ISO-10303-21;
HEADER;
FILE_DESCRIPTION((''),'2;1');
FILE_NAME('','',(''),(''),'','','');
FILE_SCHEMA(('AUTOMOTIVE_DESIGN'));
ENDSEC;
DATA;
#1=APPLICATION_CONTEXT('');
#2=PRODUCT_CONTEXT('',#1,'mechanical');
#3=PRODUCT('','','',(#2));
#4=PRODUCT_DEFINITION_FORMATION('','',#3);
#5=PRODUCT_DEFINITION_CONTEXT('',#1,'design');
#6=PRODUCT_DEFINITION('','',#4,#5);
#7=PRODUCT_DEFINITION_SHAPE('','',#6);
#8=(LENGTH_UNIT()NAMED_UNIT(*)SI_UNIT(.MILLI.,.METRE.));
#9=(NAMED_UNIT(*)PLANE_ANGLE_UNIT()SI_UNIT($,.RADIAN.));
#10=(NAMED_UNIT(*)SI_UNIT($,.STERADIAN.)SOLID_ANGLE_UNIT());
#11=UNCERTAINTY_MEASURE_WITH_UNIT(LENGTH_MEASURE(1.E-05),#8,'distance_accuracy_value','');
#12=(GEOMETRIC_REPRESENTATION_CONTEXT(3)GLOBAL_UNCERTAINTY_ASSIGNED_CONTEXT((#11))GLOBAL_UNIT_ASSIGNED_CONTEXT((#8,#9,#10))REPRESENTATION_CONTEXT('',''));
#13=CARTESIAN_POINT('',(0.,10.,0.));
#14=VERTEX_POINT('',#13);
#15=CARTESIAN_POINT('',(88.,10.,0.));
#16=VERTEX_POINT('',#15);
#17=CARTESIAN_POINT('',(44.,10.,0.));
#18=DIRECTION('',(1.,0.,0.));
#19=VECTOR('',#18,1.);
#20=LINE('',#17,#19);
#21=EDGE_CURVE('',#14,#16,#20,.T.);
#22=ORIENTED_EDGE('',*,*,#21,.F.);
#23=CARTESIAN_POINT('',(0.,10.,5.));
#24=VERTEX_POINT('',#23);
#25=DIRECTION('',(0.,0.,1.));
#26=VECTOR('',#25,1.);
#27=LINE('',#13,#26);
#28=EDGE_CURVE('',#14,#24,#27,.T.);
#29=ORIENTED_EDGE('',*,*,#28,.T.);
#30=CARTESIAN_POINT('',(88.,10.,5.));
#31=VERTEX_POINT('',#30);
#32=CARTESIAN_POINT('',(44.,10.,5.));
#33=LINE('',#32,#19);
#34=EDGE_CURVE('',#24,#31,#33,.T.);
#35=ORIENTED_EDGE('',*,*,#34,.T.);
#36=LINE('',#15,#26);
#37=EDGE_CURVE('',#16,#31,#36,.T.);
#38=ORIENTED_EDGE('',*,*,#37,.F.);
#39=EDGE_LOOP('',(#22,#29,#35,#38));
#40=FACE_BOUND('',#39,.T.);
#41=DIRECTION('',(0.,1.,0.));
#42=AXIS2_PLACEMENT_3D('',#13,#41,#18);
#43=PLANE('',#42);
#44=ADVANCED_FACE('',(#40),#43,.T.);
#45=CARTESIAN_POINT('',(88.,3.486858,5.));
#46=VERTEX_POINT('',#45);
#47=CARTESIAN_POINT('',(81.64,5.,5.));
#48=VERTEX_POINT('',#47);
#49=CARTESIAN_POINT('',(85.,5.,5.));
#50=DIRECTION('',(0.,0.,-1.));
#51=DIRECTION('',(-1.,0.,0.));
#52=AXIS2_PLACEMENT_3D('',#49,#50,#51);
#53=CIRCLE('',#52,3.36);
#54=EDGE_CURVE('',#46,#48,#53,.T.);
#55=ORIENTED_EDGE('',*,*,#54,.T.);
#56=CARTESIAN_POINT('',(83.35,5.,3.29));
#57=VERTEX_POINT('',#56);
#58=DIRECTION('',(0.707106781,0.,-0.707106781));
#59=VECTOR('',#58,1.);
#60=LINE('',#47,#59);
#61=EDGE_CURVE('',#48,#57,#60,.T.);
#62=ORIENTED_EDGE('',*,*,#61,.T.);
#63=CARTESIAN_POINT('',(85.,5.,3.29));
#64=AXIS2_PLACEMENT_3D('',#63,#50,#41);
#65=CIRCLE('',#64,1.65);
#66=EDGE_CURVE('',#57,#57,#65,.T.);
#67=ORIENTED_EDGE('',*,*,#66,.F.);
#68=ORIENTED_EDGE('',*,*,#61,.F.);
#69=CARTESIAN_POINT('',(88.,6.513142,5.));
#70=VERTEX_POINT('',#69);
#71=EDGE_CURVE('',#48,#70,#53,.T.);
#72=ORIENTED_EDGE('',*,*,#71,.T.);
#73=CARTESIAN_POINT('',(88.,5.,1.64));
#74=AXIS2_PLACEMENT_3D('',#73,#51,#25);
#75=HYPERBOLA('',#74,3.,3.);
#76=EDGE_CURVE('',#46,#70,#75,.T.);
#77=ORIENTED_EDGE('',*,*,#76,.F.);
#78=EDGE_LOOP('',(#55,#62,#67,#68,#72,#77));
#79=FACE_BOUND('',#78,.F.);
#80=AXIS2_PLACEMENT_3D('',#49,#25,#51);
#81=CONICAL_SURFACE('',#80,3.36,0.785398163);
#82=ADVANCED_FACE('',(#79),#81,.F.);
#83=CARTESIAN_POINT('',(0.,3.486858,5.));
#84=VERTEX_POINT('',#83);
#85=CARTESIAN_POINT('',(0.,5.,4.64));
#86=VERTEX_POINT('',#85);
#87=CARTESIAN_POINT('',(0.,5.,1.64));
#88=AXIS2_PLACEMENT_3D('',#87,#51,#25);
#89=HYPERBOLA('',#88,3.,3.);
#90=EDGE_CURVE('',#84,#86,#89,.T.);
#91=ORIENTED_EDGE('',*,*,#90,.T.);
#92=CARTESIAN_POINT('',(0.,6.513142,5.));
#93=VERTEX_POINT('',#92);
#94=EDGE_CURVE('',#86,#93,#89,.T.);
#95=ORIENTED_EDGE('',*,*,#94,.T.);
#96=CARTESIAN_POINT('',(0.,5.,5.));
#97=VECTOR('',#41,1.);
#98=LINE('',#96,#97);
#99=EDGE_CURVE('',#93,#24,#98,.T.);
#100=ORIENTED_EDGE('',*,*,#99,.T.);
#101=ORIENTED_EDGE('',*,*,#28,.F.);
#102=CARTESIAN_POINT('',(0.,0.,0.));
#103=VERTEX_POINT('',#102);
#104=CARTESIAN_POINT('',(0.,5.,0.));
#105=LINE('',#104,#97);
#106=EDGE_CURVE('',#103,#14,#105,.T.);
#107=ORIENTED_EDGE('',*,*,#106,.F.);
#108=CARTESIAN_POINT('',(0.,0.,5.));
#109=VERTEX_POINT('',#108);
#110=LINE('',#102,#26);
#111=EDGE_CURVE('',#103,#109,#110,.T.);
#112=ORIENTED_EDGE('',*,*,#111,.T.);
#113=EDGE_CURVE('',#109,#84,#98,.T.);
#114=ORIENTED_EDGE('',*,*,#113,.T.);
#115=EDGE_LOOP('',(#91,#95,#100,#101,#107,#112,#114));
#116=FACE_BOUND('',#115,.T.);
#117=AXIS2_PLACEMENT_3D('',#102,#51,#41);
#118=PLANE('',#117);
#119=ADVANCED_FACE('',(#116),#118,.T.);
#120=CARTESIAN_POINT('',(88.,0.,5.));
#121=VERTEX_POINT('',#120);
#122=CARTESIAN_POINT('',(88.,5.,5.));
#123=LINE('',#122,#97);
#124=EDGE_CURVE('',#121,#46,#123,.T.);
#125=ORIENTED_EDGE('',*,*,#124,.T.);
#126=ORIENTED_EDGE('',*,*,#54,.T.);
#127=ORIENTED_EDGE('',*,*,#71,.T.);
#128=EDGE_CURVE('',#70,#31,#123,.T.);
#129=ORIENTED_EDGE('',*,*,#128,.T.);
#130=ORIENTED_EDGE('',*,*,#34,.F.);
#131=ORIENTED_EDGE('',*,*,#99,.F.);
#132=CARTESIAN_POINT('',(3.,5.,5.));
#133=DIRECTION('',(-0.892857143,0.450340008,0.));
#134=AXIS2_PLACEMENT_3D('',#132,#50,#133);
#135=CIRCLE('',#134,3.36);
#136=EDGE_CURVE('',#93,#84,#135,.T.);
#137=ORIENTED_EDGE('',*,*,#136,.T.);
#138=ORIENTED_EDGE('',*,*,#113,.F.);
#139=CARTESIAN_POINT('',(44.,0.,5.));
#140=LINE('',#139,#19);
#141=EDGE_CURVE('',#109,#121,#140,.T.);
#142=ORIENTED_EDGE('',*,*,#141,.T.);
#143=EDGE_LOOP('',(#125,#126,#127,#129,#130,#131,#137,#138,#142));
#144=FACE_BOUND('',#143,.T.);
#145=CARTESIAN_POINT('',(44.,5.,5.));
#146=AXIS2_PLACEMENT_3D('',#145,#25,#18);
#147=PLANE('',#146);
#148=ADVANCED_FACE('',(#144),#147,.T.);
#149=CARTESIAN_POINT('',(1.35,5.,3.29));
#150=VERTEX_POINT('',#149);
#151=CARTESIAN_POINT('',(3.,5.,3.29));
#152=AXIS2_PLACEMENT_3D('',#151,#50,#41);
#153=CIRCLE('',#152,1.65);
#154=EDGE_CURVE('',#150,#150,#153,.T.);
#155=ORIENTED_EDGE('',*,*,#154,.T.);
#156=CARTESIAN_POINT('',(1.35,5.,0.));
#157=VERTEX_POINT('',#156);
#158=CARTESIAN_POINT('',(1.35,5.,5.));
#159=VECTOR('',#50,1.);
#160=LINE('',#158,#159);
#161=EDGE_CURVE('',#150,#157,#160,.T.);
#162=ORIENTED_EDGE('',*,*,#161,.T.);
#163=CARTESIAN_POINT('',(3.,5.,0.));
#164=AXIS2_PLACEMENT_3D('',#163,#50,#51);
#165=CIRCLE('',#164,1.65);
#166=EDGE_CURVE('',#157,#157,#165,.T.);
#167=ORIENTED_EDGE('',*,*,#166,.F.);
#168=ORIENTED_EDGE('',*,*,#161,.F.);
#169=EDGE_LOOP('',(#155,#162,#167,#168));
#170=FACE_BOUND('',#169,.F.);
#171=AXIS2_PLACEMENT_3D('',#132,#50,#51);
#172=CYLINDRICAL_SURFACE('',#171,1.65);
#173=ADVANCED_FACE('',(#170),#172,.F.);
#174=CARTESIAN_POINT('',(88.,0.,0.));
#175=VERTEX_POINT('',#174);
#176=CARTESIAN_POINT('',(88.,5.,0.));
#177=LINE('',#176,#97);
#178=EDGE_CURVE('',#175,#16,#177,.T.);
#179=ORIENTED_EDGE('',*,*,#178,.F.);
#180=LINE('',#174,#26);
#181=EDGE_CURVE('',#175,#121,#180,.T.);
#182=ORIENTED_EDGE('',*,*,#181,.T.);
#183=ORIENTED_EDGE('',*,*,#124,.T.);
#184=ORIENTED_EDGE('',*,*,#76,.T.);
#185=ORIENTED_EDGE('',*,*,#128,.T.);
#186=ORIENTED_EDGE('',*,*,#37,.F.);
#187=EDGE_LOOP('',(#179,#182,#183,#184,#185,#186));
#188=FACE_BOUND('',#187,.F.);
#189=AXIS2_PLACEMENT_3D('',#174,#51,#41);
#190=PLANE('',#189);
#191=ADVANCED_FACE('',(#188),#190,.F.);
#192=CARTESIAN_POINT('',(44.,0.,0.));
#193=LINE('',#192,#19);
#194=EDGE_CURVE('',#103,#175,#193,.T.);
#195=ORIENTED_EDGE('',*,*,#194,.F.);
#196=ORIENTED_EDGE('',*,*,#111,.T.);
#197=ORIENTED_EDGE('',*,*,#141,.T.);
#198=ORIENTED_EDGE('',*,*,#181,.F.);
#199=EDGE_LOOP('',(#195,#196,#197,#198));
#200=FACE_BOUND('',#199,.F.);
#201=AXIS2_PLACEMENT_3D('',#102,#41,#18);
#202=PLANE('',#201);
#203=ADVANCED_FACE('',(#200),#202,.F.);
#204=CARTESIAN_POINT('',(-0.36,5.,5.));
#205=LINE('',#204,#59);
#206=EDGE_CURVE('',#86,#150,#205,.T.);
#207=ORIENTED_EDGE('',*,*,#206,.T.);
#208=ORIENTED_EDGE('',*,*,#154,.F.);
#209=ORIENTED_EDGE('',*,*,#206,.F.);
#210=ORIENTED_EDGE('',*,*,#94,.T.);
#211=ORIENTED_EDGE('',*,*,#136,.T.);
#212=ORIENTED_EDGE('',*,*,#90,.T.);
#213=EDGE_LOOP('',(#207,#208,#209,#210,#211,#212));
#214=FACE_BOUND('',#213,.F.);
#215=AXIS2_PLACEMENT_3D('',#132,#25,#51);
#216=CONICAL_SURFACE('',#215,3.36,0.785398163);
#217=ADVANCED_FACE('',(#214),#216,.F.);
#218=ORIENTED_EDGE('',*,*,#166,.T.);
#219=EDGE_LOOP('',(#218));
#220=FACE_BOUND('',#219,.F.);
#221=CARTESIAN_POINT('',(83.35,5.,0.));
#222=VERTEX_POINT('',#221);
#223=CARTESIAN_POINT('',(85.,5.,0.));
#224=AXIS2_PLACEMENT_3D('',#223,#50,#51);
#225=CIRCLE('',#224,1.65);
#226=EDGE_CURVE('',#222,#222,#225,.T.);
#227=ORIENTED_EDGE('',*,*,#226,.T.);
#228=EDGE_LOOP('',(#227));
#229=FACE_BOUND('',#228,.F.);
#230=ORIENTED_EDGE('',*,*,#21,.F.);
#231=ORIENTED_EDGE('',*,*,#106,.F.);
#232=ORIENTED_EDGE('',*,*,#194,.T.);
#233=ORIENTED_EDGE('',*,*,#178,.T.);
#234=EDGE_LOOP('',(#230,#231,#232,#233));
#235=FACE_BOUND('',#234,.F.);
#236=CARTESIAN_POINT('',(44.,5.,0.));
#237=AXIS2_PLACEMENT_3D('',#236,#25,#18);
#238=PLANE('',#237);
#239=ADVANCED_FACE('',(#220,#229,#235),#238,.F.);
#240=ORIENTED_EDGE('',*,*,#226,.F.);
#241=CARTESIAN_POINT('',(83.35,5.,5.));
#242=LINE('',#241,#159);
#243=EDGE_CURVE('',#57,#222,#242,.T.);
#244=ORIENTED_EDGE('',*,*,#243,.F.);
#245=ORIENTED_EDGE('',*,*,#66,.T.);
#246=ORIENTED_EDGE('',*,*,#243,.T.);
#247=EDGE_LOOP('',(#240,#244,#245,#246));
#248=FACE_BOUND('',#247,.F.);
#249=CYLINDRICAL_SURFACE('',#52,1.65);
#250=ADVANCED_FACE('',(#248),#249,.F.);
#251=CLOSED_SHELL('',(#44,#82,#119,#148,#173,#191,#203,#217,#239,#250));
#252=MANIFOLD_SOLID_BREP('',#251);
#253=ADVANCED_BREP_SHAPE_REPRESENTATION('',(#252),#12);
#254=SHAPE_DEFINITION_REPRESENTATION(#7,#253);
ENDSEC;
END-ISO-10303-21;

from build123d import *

# Parameters (mm, degrees)
F0_W           = 88
F0_H           = 10
F1_DEPTH       = 5
F3_D           = 3.3
F3_DEPTH       = 15
F3_CSINK_D     = 6.72
F3_CSINK_ANGLE = 90
F3_TIP         = 0.9914200214


with BuildPart() as f1:
    # F0 (on Top) → F1 (new body)
    with BuildSketch(Plane.XY):
        with Locations((44, 5)):
            Rectangle(F0_W, F0_H)
    extrude(amount=F1_DEPTH)

    # F3
    with Locations(Plane.XY.offset(5)):
        with Locations((85, 5), (3, 5)):
            CounterSinkHole(F3_D / 2, F3_CSINK_D / 2, depth=F3_DEPTH, counter_sink_angle=F3_CSINK_ANGLE)
            with Locations((0, 0, -(F3_DEPTH + F3_TIP / 2))):  # 118° drill point
                Cone(0, F3_D / 2, F3_TIP, mode=Mode.SUBTRACT)


solid = f1.part
